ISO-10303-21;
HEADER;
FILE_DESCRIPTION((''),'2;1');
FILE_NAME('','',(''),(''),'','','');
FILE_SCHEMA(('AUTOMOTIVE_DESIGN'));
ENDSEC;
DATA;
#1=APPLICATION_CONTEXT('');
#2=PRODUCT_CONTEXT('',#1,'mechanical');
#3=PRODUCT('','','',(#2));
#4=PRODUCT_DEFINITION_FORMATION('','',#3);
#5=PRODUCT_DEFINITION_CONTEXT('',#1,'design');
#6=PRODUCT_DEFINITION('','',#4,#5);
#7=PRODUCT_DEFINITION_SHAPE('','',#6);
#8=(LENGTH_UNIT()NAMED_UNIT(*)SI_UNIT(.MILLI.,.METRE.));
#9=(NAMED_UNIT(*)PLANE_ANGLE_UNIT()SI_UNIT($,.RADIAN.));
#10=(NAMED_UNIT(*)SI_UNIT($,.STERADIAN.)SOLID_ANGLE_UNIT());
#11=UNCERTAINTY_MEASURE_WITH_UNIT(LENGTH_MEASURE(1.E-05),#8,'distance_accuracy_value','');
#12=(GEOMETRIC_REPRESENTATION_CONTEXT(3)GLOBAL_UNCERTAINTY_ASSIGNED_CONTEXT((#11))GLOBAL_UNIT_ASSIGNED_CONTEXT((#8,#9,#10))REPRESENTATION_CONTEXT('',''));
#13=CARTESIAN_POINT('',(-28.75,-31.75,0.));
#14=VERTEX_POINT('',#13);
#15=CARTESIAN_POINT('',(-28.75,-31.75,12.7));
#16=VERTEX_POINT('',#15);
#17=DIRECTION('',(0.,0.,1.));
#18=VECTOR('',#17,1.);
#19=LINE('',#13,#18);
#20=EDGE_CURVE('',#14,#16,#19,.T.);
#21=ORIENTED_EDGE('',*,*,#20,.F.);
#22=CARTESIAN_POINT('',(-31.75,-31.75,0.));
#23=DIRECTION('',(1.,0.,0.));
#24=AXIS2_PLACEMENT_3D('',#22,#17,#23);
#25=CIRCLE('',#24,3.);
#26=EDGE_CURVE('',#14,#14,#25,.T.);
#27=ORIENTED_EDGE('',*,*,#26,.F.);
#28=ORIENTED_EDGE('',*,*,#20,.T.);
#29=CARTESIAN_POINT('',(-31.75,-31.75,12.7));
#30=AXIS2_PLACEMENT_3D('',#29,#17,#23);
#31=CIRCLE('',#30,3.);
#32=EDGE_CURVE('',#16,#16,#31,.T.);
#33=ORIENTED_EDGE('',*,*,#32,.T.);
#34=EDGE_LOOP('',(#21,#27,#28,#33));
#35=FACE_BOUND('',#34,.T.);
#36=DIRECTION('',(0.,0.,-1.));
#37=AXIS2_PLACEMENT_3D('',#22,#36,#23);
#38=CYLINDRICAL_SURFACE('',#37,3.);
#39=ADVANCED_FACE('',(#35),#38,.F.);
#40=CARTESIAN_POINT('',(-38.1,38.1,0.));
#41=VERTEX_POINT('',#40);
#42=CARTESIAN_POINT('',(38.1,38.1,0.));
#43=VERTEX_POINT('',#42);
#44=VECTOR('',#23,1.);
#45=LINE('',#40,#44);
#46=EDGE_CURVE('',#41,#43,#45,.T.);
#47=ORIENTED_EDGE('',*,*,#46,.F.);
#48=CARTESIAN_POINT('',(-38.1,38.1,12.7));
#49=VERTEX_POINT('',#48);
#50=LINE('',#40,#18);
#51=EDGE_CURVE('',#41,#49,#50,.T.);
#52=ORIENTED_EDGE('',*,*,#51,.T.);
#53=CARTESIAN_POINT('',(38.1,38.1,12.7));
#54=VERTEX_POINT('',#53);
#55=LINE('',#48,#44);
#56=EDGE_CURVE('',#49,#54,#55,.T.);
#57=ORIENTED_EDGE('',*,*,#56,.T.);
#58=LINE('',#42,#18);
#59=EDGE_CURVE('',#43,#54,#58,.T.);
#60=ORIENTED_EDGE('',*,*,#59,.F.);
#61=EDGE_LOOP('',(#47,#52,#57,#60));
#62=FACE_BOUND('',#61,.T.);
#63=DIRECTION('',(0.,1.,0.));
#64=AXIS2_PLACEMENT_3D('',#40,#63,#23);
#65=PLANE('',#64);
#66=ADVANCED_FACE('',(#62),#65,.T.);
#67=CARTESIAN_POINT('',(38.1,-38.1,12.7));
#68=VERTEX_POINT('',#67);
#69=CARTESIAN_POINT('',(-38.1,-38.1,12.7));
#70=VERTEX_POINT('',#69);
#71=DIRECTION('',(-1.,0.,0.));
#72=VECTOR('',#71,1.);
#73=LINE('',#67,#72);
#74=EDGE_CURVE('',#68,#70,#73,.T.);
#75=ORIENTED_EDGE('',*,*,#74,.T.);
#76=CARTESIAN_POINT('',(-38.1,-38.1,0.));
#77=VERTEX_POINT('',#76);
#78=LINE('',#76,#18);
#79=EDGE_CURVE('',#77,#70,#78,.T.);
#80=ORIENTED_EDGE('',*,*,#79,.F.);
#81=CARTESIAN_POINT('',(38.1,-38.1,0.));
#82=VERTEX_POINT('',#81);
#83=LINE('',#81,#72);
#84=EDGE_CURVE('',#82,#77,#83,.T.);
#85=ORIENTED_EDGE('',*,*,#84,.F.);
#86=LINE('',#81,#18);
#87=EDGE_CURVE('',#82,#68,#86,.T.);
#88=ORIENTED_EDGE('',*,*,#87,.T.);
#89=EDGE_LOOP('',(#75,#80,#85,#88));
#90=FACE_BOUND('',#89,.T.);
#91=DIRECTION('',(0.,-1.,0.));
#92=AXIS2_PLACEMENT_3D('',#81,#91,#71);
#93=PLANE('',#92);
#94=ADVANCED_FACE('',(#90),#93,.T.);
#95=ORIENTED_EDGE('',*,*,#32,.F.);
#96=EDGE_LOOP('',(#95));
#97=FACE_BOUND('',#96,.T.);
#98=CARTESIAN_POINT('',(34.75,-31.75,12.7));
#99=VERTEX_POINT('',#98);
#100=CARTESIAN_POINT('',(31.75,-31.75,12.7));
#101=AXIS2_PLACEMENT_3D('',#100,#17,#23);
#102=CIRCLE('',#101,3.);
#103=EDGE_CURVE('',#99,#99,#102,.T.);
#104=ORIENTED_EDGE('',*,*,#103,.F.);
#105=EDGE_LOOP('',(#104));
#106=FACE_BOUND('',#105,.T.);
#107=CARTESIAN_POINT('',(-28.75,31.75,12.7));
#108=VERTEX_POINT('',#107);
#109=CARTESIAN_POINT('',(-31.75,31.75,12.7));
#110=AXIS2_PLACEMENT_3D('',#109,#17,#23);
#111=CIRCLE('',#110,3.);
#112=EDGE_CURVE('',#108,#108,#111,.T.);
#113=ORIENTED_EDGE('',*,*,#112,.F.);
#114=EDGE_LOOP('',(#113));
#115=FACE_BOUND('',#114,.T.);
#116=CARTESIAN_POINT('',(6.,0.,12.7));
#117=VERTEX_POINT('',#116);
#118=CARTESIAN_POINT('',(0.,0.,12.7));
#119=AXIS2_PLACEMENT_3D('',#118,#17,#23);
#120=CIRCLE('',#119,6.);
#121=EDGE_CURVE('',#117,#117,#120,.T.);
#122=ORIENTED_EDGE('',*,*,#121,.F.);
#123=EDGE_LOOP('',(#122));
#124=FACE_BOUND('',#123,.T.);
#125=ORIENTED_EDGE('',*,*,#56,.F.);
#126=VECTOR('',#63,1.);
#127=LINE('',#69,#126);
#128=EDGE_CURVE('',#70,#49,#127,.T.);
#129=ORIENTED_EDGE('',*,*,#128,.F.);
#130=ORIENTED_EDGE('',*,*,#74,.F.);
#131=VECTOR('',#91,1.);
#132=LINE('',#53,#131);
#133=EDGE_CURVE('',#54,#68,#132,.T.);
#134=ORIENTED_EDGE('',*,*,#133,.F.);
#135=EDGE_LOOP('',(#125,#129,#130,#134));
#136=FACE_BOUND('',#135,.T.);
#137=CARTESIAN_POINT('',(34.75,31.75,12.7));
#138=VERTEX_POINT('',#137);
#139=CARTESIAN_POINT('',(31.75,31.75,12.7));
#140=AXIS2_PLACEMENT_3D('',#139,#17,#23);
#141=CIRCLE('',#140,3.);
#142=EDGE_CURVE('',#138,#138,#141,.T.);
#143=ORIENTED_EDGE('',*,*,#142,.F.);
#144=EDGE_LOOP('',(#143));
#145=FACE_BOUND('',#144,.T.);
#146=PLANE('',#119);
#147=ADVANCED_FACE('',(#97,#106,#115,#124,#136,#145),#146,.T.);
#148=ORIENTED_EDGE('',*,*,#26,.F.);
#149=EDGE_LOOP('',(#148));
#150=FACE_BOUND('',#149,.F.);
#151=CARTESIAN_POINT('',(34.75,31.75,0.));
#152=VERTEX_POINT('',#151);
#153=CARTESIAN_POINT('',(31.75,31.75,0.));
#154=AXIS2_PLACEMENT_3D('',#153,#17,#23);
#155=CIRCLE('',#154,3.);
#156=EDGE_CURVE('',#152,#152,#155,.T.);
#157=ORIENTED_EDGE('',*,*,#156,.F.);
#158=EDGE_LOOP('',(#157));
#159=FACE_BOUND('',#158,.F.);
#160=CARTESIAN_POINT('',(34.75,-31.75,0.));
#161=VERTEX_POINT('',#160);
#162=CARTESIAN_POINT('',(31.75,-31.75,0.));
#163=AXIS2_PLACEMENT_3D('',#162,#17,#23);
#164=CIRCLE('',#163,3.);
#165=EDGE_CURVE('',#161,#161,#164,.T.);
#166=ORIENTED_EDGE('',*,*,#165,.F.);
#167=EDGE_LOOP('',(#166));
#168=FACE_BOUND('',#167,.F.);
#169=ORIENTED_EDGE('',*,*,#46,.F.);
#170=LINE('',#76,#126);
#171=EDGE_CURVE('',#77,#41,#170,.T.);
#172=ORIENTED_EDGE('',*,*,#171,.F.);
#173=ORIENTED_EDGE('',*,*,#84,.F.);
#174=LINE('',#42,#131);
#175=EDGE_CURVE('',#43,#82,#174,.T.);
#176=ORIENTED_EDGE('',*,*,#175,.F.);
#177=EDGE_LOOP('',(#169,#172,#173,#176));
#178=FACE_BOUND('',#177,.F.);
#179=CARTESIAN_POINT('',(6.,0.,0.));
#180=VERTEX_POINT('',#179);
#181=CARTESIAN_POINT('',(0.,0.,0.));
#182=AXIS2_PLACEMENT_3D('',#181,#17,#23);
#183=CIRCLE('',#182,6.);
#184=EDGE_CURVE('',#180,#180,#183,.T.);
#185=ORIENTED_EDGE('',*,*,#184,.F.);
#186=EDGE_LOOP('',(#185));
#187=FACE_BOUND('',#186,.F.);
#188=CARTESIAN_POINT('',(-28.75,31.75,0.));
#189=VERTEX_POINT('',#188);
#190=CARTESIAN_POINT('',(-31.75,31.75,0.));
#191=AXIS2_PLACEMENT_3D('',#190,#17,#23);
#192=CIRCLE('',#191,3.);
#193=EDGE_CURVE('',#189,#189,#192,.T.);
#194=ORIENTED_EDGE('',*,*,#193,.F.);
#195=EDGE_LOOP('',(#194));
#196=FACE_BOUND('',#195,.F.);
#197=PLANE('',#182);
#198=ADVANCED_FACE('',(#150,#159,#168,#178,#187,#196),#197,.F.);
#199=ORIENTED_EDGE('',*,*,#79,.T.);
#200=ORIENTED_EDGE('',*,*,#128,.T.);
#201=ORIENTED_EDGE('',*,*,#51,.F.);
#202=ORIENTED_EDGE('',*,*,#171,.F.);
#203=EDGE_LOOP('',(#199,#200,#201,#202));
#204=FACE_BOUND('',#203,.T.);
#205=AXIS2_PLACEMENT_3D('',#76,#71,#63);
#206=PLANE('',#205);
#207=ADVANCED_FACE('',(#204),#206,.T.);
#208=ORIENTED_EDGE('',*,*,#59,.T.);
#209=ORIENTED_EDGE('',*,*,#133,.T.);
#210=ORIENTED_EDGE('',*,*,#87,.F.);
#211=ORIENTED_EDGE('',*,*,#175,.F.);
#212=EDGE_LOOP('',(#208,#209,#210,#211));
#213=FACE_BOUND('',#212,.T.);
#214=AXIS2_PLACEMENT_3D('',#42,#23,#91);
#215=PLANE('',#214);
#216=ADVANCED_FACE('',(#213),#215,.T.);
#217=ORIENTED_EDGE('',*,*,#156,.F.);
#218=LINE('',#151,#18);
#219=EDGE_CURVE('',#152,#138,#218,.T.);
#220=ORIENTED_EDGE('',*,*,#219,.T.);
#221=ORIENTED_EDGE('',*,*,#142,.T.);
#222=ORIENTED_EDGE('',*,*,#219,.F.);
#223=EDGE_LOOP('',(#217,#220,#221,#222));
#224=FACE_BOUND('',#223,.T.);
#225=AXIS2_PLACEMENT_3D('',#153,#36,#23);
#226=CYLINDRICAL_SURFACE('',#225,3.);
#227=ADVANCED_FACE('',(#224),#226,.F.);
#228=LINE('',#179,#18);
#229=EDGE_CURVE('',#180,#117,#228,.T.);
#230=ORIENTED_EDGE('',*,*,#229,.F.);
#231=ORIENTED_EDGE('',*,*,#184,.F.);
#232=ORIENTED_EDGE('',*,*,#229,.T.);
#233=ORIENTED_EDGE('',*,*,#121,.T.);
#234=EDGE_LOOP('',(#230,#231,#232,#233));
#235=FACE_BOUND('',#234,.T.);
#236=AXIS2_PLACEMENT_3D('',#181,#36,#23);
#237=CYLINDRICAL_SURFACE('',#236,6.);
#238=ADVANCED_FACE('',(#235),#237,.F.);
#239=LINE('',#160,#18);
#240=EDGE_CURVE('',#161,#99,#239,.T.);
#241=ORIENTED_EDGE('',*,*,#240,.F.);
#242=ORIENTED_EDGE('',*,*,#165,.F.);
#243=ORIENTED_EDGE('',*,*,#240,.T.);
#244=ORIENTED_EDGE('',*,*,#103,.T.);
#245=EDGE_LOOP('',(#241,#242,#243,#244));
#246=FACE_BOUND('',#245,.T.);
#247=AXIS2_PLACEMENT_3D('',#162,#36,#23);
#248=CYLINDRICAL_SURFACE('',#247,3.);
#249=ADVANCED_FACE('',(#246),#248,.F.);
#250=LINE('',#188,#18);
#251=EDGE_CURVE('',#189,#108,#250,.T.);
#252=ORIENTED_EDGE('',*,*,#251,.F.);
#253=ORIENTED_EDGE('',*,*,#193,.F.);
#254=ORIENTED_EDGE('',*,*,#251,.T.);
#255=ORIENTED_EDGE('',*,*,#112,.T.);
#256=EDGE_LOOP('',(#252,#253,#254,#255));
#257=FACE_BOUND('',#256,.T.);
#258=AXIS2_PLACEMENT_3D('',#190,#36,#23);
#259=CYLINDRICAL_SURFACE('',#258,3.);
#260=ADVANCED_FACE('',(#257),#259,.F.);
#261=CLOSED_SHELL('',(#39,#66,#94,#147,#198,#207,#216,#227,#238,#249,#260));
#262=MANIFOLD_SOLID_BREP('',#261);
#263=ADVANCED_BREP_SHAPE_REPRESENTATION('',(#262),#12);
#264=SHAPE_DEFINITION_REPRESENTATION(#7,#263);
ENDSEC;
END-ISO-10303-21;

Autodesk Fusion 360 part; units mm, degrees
sketch "Sketch1" plane through (0, 0, 0) normal (0, 0, 1) x (1, 0, 0)
  line L0 (38.1, -38.1) -> (-38.1, -38.1)
  line L1 (-38.1, -38.1) -> (-38.1, 38.1)
  line L2 (-38.1, 38.1) -> (38.1, 38.1)
  line L3 (38.1, 38.1) -> (38.1, -38.1)
  line L4 (38.1, -38.1) -> (-38.1, 38.1) construction
  line L5 (-38.1, -38.1) -> (38.1, 38.1) construction
  line L6 (31.75, 31.75) -> (-31.75, 31.75) construction
  line L7 (-31.75, 31.75) -> (-31.75, -31.75) construction
  line L8 (-31.75, -31.75) -> (31.75, -31.75) construction
  line L9 (31.75, -31.75) -> (31.75, 31.75) construction
  line L10 (31.75, 31.75) -> (-31.75, -31.75) construction
  line L11 (-31.75, 31.75) -> (31.75, -31.75) construction
  circle A0 centre (-31.75, 31.75) radius 3
  circle A1 centre (-31.75, -31.75) radius 3
  circle A2 centre (31.75, -31.75) radius 3
  circle A3 centre (31.75, 31.75) radius 3
  circle A4 centre (0, 0) radius 6
  dimension "d1" = 76.2
  dimension "d2" = 76.2
  dimension "d3" = 63.5
  dimension "d4" = 63.5
  dimension "d5" = 6
  dimension "d7" = 360
  dimension "d10" = 12
extrude "Extrude1" add sketch "Sketch1" along normal blind 12.7
sketch "Sketch2" plane through (0, 0, 12.7) normal (0, 0, 1) x (-1, 0, 0)
  circle A0 centre (31.75, -31.75) radius 3
  circle A1 centre (0, 0) radius 6
  circle A2 centre (31.75, 31.75) radius 3
  circle A3 centre (-31.75, -31.75) radius 3
  circle A4 centre (-31.75, 31.75) radius 3
  line L0 (-38.1, -38.1) -> (38.1, -38.1)
  line L1 (38.1, -38.1) -> (38.1, 38.1)
  line L2 (38.1, 38.1) -> (-38.1, 38.1)
  line L3 (-38.1, 38.1) -> (-38.1, -38.1)
